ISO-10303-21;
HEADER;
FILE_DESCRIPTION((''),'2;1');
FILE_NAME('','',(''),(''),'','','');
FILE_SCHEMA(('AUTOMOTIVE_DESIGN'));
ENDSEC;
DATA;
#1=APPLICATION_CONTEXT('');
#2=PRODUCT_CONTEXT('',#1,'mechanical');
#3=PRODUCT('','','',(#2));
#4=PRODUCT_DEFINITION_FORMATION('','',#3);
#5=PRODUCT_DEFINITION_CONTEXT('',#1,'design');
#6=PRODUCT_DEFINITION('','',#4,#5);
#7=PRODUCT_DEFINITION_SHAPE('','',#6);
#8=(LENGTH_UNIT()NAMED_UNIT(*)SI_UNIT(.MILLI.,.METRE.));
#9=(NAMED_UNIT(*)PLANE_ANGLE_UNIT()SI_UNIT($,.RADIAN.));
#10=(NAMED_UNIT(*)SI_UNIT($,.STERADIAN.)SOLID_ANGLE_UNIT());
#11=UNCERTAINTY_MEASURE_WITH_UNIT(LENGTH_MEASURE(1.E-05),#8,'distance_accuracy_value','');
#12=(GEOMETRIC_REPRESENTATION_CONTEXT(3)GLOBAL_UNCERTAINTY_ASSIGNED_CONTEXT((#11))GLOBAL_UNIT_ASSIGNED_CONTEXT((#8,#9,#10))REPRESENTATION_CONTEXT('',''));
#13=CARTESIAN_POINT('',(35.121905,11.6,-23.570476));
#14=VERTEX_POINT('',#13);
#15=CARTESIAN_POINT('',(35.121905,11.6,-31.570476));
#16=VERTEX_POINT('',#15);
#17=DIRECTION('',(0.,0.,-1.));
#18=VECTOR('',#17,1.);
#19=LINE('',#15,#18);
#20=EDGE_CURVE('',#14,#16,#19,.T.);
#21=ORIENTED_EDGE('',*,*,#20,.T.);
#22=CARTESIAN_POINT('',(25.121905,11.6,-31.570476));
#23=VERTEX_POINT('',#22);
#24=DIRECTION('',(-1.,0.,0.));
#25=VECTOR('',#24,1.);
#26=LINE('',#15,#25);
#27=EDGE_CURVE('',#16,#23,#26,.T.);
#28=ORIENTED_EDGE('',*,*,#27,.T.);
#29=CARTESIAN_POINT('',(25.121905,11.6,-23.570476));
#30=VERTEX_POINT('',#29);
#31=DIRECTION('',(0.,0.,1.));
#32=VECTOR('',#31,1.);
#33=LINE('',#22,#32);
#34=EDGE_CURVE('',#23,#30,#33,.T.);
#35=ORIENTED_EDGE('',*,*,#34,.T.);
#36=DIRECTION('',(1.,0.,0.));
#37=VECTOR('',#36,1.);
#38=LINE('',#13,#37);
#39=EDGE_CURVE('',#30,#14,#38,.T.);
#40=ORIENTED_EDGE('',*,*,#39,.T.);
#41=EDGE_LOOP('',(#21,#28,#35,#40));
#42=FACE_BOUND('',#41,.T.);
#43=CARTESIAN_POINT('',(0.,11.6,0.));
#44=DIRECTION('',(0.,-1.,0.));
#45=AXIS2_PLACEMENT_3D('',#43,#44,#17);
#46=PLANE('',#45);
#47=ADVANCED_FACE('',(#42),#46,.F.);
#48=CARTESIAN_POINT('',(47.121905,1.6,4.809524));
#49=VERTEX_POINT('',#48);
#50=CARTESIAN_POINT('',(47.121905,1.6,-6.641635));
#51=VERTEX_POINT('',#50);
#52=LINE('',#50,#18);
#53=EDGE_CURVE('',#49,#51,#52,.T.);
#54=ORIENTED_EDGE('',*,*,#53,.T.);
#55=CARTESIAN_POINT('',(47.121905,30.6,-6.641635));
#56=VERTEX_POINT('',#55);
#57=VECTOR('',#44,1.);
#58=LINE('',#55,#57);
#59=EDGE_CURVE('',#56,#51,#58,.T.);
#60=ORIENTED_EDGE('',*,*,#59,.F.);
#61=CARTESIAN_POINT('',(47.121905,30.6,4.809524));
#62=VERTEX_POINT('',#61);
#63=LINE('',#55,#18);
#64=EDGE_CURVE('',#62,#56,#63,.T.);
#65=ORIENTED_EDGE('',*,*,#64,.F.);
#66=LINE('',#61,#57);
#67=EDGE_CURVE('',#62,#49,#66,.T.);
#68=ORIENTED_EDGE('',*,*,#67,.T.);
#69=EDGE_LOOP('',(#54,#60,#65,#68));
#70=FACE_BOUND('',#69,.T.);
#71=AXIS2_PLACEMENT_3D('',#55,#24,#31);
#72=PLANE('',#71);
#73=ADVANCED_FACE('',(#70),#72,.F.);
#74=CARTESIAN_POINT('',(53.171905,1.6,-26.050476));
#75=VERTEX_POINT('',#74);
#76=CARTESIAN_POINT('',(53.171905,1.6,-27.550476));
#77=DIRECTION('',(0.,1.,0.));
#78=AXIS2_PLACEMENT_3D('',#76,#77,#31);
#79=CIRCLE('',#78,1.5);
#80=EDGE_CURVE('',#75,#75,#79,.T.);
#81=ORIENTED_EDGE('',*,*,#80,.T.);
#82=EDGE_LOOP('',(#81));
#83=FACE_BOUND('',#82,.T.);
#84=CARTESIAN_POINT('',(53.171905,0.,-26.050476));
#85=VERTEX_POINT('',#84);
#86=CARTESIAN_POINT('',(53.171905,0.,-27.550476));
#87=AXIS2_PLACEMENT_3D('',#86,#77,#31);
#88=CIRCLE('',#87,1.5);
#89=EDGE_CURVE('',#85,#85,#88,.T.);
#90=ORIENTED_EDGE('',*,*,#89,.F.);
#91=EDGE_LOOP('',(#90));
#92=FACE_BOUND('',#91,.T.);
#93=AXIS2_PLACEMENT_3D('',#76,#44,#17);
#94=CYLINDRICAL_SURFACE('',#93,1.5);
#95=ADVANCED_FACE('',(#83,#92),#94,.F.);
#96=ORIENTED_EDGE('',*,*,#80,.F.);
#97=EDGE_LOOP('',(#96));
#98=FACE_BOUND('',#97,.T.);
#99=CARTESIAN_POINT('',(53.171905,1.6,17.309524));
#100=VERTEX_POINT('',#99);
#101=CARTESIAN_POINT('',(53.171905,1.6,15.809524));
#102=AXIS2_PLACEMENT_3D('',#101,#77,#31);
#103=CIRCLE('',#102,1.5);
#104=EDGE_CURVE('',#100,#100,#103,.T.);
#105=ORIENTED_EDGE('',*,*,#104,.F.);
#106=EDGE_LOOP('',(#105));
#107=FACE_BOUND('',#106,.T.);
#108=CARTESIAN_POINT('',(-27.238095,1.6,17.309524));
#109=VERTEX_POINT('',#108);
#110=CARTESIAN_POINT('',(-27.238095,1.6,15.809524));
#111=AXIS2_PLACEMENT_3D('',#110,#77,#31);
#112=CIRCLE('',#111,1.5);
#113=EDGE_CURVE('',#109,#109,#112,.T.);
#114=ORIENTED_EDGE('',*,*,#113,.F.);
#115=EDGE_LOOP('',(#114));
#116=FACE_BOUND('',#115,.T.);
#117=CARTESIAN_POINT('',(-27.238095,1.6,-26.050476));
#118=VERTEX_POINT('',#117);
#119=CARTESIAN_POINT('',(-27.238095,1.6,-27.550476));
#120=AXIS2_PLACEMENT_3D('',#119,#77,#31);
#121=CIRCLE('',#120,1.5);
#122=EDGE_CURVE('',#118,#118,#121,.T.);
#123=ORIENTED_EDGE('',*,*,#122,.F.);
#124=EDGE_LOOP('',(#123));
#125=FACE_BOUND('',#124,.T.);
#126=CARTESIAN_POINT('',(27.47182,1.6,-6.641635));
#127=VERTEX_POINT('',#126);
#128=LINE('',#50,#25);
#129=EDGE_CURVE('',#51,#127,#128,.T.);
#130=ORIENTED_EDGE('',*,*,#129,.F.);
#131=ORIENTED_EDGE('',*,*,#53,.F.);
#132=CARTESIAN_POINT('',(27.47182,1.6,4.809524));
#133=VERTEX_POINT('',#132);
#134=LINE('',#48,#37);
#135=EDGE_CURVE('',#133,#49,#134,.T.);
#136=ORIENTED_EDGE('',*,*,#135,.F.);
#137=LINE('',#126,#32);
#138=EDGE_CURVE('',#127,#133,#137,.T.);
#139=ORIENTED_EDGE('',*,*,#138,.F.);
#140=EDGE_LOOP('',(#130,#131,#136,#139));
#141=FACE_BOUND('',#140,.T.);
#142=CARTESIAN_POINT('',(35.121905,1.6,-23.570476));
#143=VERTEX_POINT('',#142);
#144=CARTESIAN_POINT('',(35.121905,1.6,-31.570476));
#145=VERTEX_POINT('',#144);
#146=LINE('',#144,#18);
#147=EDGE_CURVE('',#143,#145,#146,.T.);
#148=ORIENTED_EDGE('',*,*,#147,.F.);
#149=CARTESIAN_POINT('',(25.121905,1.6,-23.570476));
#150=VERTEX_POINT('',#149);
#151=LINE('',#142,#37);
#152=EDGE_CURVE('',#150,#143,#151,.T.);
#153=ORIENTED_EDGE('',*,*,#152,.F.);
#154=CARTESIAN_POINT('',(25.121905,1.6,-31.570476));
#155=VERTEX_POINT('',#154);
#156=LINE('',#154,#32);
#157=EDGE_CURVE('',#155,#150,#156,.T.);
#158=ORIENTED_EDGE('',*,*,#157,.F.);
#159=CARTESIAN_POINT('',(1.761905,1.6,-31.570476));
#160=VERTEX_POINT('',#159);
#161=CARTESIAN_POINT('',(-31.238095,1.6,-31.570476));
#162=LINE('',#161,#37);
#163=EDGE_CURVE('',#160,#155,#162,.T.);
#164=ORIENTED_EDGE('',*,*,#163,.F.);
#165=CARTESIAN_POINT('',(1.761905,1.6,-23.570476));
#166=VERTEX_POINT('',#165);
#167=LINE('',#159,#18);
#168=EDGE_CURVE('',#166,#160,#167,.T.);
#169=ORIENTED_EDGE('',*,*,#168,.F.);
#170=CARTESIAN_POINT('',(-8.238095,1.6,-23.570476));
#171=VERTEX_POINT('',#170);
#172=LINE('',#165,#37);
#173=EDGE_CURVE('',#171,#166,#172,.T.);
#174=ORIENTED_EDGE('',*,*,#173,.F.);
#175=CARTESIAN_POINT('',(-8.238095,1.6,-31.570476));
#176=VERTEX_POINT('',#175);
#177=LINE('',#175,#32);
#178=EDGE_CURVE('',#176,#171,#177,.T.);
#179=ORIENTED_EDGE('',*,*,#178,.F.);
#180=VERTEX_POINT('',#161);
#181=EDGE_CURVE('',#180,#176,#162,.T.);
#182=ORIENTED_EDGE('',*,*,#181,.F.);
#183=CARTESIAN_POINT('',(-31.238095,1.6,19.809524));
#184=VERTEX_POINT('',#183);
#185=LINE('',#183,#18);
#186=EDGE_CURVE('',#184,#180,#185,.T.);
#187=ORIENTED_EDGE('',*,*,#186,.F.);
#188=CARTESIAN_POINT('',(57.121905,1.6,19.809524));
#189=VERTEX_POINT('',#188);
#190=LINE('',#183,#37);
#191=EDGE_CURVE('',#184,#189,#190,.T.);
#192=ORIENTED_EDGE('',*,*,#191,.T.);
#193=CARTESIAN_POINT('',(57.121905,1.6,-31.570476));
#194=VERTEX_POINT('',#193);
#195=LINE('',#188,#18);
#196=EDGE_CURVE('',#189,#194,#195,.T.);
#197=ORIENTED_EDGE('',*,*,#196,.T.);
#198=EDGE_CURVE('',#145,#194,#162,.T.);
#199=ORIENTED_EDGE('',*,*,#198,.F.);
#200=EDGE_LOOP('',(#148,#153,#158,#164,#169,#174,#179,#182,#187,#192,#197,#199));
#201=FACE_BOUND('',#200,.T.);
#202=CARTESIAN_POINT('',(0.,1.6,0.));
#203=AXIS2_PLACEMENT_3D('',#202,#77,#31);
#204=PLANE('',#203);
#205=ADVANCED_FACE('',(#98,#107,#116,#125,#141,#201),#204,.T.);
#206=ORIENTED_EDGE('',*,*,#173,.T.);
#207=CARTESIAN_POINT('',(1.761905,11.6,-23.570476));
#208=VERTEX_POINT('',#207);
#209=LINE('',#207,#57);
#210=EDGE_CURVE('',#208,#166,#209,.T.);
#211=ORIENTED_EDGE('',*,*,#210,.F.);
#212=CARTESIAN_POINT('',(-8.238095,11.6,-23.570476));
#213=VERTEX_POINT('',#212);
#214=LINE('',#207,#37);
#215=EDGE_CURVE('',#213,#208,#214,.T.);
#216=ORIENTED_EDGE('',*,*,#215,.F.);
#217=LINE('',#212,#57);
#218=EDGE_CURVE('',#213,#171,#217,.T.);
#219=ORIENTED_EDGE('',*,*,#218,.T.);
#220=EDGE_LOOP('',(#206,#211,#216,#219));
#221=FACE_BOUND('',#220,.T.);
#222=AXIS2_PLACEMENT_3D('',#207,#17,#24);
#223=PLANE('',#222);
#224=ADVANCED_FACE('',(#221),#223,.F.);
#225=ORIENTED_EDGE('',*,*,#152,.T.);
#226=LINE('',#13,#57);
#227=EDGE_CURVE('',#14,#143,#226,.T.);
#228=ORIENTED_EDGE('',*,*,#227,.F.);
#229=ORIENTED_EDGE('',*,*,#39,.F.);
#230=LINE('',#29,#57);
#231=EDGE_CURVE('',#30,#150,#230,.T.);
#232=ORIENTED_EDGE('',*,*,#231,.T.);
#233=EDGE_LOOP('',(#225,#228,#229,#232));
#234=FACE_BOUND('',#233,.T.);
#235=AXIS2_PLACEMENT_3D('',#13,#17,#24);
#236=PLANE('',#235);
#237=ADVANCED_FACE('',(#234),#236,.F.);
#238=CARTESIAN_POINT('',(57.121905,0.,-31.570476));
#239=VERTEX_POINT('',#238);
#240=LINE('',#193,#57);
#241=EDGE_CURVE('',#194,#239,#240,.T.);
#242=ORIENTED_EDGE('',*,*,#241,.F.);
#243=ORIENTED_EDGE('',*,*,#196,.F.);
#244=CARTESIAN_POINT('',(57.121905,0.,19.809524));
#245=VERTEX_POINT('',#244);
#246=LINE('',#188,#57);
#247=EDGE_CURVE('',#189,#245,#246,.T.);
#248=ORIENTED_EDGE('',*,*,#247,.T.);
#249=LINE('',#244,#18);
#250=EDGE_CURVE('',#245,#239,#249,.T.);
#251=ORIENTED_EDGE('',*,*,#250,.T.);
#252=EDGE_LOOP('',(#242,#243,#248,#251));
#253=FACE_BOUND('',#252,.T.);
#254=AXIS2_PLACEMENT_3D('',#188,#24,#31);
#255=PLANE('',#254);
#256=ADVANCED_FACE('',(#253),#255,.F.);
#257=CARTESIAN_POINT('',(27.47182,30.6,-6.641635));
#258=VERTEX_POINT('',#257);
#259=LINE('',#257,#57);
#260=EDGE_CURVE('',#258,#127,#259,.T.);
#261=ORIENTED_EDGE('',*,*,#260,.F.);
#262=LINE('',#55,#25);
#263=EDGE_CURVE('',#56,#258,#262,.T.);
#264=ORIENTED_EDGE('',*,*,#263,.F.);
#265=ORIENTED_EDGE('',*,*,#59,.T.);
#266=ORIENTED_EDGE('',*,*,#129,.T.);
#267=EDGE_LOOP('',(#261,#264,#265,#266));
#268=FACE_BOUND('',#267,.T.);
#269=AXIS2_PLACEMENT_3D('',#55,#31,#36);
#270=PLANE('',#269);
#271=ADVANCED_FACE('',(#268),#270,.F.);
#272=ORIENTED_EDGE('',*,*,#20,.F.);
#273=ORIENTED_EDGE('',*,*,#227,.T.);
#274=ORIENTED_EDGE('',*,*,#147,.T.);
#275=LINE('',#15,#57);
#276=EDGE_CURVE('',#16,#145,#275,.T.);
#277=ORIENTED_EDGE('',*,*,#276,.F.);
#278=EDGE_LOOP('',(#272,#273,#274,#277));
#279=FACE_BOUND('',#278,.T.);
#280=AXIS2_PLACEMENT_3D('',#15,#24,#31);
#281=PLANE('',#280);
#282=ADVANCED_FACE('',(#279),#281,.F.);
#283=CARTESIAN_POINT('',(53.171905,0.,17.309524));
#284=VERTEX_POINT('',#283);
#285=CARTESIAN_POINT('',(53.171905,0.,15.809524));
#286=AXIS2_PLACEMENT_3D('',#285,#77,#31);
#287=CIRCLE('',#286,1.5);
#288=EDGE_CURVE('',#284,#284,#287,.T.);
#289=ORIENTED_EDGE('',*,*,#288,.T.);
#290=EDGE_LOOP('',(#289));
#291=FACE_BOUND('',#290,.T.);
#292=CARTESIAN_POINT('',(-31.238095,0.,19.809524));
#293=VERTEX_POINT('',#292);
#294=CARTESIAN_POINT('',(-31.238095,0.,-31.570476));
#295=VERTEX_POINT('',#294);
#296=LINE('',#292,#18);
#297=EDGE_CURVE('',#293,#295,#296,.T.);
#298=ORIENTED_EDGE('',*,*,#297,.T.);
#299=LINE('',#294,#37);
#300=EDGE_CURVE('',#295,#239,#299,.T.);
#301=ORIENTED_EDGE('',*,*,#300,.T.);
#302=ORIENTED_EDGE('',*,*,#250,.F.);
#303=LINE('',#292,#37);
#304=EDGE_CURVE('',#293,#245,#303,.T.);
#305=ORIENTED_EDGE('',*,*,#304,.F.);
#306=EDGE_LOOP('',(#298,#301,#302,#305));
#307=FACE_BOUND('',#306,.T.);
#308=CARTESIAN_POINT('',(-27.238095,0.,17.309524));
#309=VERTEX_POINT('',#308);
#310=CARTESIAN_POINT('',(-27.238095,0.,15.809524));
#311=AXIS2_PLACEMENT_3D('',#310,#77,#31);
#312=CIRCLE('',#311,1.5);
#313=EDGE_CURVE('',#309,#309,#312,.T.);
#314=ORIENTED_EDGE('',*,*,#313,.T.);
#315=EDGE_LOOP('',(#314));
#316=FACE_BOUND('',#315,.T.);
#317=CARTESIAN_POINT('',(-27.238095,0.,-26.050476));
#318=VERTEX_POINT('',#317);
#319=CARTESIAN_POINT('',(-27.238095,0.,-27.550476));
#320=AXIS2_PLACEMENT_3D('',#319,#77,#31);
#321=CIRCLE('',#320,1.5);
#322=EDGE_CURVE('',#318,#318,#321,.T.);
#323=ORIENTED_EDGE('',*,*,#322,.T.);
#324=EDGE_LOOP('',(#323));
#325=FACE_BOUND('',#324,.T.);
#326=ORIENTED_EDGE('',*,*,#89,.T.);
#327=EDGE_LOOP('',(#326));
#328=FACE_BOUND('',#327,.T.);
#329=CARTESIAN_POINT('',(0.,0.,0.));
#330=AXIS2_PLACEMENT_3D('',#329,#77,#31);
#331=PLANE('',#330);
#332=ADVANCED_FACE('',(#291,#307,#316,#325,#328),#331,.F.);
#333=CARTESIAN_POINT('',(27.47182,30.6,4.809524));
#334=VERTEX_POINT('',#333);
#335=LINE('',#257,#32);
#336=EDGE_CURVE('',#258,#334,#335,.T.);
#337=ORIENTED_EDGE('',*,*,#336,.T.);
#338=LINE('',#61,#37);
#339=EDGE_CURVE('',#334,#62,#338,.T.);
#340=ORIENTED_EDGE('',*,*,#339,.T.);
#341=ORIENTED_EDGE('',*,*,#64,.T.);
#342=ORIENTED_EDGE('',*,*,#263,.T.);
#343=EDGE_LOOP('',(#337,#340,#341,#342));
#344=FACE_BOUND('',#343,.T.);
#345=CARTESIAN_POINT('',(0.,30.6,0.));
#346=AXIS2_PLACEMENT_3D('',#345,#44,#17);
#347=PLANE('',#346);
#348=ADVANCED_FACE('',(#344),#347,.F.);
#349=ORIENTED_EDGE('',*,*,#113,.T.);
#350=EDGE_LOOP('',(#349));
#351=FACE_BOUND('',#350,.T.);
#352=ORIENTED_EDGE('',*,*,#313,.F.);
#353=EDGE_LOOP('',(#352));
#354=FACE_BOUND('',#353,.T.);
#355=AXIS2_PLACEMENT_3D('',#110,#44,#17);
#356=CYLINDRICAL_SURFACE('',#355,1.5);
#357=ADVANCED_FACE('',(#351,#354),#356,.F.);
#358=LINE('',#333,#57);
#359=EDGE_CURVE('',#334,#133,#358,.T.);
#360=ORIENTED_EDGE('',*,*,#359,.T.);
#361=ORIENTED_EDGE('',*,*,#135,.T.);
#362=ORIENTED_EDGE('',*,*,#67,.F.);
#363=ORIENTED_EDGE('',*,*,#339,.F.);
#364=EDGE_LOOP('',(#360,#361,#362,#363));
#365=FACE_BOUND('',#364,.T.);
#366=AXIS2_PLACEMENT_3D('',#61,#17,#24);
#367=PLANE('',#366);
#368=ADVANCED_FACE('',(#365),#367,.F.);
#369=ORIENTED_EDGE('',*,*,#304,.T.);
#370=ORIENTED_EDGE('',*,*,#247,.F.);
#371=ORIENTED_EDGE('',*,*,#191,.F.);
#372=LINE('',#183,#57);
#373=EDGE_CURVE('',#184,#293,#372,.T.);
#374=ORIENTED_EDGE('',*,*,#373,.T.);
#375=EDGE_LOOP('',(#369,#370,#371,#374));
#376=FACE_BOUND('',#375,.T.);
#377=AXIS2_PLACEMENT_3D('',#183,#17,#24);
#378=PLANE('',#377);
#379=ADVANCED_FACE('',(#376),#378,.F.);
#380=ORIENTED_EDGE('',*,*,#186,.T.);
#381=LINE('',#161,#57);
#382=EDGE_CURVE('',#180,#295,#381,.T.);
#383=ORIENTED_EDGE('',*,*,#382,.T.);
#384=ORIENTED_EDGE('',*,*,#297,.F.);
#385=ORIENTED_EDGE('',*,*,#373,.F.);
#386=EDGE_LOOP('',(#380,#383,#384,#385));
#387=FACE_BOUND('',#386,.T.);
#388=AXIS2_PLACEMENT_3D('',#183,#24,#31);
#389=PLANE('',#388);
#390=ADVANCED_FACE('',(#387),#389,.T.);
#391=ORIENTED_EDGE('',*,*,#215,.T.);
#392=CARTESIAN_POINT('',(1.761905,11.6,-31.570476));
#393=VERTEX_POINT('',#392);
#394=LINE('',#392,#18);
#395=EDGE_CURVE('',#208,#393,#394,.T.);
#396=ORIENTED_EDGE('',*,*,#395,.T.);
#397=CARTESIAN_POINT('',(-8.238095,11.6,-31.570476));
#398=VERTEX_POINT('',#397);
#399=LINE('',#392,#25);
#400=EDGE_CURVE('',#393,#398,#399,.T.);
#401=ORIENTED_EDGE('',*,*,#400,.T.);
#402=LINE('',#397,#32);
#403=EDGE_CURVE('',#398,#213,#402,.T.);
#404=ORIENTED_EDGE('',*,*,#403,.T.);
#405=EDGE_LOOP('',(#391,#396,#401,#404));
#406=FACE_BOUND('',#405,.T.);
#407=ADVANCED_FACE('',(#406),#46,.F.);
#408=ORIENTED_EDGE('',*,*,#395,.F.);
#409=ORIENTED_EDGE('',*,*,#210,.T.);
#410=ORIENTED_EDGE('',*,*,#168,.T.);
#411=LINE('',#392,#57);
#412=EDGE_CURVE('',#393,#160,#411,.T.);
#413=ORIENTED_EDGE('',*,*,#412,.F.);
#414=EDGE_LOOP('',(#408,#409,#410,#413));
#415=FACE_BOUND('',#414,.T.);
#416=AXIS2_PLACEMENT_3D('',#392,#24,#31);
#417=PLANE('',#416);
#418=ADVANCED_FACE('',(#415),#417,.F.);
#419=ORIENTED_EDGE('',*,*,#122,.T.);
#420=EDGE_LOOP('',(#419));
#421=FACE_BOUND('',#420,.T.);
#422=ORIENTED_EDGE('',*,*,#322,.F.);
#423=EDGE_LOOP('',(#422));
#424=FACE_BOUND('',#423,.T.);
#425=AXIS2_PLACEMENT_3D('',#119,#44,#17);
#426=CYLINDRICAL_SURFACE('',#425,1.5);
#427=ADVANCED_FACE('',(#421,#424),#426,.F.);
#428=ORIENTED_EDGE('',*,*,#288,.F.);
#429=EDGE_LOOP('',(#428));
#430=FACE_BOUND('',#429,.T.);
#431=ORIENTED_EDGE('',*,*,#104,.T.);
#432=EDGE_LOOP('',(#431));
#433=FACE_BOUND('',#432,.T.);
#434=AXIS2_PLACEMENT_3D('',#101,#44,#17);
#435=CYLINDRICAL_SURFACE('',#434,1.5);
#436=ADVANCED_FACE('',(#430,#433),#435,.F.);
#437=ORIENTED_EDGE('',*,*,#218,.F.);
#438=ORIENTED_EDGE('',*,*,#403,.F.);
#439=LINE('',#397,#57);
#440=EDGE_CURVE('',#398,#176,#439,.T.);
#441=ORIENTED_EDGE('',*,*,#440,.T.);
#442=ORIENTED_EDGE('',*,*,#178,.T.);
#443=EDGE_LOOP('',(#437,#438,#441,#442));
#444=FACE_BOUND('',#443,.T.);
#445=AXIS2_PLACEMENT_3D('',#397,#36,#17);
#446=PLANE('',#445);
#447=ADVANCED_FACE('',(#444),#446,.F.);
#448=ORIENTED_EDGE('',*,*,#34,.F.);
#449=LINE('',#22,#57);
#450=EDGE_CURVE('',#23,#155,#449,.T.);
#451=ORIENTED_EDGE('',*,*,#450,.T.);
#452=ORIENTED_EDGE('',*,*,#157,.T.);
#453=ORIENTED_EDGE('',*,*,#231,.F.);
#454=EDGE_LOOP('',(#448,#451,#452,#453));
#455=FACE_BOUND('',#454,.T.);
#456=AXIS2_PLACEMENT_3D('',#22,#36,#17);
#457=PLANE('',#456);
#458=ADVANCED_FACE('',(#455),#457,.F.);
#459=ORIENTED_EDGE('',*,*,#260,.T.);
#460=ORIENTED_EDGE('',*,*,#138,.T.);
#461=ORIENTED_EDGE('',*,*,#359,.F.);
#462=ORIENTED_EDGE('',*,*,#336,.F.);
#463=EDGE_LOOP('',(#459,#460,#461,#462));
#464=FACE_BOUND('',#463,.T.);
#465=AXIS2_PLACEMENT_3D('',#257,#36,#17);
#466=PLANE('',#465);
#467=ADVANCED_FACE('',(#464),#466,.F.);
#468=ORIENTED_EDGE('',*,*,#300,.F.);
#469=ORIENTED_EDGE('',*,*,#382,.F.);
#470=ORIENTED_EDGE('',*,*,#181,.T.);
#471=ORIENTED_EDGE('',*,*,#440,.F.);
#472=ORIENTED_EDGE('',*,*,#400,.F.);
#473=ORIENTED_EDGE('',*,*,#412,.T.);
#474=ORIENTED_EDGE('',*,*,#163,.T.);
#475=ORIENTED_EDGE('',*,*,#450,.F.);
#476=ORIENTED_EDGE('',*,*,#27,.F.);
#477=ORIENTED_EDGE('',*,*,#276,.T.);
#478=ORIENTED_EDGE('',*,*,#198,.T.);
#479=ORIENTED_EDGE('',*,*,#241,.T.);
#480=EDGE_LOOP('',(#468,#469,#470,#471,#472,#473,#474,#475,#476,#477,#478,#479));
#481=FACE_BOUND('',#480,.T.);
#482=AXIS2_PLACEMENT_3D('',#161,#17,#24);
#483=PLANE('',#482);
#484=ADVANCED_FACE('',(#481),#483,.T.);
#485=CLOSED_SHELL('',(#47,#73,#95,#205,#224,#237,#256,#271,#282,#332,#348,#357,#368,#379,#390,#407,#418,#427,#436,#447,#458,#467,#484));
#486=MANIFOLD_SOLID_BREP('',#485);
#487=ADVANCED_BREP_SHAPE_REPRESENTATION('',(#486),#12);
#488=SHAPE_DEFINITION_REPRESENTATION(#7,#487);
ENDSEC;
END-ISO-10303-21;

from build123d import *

# Parameters (mm, degrees)
ESQUISSE1_W        = 88.36
ESQUISSE1_H        = 51.38
ESQUISSE1_R        = 1.5
BOSS_EXTRU_2_DEPTH = 1.6
ESQUISSE3_W        = 10
ESQUISSE3_H        = 8
BOSS_EXTRU_3_DEPTH = 10
ESQUISSE4_W        = 19.65008467
ESQUISSE4_H        = 11.451158756
BOSS_EXTRU_4_DEPTH = 29


with BuildPart() as part:
    # Esquisse1 → Boss.-Extru.2 (new body)
    with BuildSketch(Plane(origin=(0, 0, 0), x_dir=(1, 0, 0), z_dir=(0, 1, 0))):
        with Locations((12.941904762, 5.88047619)):
            Rectangle(ESQUISSE1_W, ESQUISSE1_H)
        with Locations(Location((-27.238095238, -15.80952381, 0), (0, 0, 270))):
            Circle(ESQUISSE1_R, mode=Mode.SUBTRACT)
        with Locations(Location((53.171904762, -15.80952381, 0), (0, 0, 270))):
            Circle(ESQUISSE1_R, mode=Mode.SUBTRACT)
        with Locations(Location((53.171904762, 27.55047619, 0), (0, 0, 270))):
            Circle(ESQUISSE1_R, mode=Mode.SUBTRACT)
        with Locations(Location((-27.238095238, 27.55047619, 0), (0, 0, 270))):
            Circle(ESQUISSE1_R, mode=Mode.SUBTRACT)
    extrude(amount=BOSS_EXTRU_2_DEPTH)

    # Esquisse3 → Boss.-Extru.3 (add)
    with BuildSketch(Plane(origin=(0, 1.6, 0), x_dir=(1, 0, 0), z_dir=(0, 1, 0))):
        with Locations((30.121904762, 27.57047619)):
            Rectangle(ESQUISSE3_W, ESQUISSE3_H)
        with Locations((-3.238095238, 27.57047619)):
            Rectangle(ESQUISSE3_W, ESQUISSE3_H)
    extrude(amount=BOSS_EXTRU_3_DEPTH)

    # Esquisse4 → Boss.-Extru.4 (add)
    with BuildSketch(Plane(origin=(0, 1.6, 0), x_dir=(1, 0, 0), z_dir=(0, 1, 0))):
        with Locations((37.296862427, 0.916055568)):
            Rectangle(ESQUISSE4_W, ESQUISSE4_H)
    extrude(amount=BOSS_EXTRU_4_DEPTH)


solid = part.part
